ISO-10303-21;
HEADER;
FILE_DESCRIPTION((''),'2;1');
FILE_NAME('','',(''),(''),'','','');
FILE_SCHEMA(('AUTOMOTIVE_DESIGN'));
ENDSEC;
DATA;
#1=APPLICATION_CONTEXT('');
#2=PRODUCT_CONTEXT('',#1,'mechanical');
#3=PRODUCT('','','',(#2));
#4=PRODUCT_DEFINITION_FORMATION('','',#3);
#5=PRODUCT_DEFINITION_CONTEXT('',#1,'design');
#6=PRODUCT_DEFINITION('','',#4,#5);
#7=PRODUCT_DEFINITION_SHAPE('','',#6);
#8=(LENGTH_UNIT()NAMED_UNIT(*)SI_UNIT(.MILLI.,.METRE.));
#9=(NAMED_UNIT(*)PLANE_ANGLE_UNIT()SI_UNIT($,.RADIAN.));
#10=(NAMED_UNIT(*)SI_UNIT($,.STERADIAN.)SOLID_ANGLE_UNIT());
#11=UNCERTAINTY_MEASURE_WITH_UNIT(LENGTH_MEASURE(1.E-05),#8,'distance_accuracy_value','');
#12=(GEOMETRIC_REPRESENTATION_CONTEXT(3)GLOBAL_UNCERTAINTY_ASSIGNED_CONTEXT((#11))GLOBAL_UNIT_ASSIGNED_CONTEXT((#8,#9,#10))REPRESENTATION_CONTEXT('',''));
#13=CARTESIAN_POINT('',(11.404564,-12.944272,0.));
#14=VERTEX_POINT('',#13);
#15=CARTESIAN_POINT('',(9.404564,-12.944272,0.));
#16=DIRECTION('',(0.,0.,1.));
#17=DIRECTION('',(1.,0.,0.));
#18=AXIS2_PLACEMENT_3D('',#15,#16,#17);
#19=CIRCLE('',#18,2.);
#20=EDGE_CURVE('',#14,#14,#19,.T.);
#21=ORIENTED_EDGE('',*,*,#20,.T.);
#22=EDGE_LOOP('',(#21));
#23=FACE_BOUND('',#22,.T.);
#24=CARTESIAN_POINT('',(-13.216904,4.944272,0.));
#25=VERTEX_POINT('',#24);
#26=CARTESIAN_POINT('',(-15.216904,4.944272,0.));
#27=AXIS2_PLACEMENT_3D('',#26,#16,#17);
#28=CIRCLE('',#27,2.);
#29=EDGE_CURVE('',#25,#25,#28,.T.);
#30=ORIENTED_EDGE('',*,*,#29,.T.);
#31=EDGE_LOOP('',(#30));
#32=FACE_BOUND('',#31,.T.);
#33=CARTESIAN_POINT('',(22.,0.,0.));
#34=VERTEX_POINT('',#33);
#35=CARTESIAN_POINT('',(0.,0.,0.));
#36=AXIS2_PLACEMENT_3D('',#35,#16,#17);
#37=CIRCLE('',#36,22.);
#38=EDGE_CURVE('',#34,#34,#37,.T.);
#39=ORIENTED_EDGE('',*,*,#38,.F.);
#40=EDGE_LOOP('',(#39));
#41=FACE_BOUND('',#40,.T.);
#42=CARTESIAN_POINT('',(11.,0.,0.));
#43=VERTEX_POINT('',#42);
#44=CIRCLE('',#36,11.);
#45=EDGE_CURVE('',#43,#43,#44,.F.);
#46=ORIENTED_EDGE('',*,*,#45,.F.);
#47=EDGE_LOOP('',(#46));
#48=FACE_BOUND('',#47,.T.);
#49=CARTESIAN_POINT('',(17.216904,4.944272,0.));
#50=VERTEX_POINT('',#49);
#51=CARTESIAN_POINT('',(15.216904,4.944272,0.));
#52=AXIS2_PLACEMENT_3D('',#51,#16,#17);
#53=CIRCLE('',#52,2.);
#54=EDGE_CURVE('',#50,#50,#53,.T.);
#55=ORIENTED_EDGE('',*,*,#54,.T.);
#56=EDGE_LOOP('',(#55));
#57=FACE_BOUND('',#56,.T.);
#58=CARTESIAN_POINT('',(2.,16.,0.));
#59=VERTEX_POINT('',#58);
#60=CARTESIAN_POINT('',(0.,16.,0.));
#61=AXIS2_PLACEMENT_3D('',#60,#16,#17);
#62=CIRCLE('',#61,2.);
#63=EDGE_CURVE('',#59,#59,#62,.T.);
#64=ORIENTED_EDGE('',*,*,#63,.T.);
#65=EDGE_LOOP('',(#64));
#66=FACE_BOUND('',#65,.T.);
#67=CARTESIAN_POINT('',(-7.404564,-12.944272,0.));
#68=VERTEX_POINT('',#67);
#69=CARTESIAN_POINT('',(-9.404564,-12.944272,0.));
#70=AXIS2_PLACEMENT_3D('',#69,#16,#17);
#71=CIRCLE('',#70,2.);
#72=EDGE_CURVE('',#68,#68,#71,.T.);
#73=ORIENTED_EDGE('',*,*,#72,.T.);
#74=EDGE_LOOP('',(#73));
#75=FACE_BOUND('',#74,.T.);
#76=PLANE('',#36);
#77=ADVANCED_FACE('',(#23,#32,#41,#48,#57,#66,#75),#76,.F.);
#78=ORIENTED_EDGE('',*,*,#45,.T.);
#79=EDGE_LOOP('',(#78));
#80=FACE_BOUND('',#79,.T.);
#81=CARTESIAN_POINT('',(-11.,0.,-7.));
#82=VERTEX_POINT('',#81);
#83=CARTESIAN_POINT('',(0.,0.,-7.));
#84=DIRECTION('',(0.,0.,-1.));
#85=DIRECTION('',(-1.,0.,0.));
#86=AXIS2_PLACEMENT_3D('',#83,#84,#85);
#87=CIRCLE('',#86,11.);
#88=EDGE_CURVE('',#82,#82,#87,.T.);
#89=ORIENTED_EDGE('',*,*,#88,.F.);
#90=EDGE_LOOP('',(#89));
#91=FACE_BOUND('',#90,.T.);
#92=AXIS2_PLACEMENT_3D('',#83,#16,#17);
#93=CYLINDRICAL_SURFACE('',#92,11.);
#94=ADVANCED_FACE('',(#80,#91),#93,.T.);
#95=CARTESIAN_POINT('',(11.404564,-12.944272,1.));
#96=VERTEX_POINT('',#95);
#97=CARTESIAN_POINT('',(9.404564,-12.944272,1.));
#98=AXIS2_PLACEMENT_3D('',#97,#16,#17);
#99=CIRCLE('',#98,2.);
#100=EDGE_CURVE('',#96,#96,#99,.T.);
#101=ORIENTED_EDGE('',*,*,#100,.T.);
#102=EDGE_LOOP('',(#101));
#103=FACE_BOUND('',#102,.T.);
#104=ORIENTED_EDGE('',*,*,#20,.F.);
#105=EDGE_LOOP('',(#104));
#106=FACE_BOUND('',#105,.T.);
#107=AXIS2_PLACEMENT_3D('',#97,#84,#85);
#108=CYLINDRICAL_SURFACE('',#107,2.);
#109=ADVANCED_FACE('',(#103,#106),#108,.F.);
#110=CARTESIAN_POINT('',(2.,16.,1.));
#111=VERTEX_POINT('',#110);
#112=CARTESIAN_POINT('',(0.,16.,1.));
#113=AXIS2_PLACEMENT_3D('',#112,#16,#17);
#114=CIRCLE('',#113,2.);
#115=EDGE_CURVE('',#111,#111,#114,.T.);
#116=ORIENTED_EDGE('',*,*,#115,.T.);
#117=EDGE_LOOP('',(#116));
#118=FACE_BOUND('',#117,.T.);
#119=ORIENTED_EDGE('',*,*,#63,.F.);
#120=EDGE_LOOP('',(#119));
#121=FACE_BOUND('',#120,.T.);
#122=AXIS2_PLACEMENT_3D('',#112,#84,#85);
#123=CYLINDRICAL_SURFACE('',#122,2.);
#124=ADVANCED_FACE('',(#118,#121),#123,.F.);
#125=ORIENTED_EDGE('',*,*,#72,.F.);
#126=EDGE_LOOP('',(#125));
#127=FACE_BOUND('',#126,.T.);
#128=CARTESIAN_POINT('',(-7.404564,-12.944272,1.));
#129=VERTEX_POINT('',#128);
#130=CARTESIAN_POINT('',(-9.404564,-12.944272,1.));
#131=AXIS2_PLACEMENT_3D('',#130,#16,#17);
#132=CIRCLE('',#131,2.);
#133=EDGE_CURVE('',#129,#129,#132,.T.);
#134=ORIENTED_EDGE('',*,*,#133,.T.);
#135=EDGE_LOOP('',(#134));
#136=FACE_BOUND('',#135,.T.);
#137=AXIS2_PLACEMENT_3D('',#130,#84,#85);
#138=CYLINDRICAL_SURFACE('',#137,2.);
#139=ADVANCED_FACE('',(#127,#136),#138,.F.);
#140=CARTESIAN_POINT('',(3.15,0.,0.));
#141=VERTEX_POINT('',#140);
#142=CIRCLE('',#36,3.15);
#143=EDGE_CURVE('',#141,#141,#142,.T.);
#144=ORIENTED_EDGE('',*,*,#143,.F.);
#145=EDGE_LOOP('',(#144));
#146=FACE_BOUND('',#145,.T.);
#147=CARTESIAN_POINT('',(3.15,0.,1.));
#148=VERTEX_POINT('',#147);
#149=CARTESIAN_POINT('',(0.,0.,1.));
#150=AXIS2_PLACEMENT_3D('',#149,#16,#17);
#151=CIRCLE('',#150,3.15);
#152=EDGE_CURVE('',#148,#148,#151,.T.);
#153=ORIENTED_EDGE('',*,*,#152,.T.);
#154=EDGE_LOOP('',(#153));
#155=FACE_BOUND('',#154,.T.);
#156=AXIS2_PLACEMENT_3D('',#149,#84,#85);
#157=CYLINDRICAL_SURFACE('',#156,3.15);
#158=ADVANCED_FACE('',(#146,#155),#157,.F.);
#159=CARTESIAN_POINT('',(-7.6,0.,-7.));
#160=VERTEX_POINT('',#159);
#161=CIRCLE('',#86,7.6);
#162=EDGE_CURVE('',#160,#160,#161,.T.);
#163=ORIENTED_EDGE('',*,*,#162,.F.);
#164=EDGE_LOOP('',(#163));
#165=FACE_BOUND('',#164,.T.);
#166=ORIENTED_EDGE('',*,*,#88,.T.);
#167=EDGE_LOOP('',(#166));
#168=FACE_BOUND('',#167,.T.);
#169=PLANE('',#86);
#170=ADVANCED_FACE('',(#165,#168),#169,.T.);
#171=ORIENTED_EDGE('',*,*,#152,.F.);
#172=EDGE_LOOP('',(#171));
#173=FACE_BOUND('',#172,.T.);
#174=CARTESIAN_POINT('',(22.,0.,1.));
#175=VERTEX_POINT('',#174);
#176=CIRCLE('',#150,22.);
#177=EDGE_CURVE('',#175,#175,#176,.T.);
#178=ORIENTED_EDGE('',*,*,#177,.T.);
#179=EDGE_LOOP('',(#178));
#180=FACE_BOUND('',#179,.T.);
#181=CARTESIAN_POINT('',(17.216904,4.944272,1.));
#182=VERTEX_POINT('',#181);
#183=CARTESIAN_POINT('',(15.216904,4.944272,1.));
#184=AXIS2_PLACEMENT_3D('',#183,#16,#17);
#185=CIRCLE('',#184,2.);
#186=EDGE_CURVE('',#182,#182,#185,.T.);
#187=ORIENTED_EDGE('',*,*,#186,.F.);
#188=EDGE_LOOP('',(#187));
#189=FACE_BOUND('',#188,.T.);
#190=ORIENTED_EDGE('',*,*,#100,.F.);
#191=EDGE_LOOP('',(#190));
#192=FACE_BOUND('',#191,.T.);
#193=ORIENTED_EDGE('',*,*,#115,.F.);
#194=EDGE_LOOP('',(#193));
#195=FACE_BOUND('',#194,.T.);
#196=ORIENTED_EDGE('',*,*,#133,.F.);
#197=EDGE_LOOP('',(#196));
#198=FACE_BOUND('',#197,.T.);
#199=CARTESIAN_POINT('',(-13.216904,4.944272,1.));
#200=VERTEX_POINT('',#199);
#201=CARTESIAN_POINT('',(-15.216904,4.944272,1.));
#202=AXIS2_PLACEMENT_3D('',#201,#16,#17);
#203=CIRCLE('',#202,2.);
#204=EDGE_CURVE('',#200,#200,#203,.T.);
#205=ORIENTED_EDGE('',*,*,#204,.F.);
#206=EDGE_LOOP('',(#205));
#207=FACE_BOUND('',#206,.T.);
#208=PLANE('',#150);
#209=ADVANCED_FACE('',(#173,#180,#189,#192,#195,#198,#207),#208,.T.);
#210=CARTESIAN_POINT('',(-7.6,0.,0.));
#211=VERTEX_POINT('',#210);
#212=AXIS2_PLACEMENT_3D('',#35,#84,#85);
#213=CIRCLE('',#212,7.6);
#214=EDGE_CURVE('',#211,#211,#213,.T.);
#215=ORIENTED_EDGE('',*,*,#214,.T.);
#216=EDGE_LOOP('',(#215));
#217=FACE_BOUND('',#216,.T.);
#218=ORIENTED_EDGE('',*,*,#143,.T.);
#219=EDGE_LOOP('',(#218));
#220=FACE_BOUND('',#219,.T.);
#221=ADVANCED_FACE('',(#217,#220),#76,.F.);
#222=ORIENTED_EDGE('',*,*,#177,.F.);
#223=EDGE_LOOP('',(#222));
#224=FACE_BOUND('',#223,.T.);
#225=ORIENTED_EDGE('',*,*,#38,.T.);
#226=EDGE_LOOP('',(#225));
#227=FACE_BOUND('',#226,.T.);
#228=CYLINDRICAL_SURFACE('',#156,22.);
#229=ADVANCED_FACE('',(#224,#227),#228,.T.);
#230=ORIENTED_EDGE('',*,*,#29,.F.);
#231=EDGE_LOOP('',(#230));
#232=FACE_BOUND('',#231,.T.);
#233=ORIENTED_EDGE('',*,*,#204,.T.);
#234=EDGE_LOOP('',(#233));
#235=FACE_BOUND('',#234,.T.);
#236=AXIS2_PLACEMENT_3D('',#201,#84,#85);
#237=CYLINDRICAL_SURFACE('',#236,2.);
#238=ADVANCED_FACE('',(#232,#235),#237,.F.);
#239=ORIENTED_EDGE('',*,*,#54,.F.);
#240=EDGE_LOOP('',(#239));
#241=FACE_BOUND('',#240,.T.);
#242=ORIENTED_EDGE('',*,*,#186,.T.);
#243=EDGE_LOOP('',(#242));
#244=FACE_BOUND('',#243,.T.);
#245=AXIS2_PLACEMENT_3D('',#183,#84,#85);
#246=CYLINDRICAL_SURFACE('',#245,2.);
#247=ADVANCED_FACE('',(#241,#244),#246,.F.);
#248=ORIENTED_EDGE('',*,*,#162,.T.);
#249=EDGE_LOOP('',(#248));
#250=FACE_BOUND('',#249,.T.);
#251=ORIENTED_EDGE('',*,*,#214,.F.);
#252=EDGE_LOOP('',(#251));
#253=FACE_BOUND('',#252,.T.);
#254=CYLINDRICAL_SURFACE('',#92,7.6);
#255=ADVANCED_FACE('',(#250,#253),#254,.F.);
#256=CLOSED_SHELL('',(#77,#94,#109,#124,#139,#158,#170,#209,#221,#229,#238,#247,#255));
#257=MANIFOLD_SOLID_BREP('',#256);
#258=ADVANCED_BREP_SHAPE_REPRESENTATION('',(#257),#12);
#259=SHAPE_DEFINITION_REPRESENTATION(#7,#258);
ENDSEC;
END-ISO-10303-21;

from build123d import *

# Parameters (mm, degrees)
SKETCH_1_R      = 22
SKETCH_1_R_2    = 3.15
SKETCH_1_R_3    = 2
EXTRUDE_1_DEPTH = 1
SKETCH_3_R      = 11
SKETCH_3_R_2    = 7.6
EXTRUDE_2_DEPTH = 7


with BuildPart() as part:
    # 草图1 → 凸台-拉伸1 (new body)
    with BuildSketch(Plane.XY):
        Circle(SKETCH_1_R)
        Circle(SKETCH_1_R_2, mode=Mode.SUBTRACT)
        with Locations((0, 16)):
            Circle(SKETCH_1_R_3, mode=Mode.SUBTRACT)
        with Locations((15.216904261, 4.94427191)):
            Circle(SKETCH_1_R_3, mode=Mode.SUBTRACT)
        with Locations((9.404564037, -12.94427191)):
            Circle(SKETCH_1_R_3, mode=Mode.SUBTRACT)
        with Locations((-9.404564037, -12.94427191)):
            Circle(SKETCH_1_R_3, mode=Mode.SUBTRACT)
        with Locations((-15.216904261, 4.94427191)):
            Circle(SKETCH_1_R_3, mode=Mode.SUBTRACT)
    extrude(amount=EXTRUDE_1_DEPTH)

    # 草图3 → 凸台-拉伸2 (add)
    with BuildSketch(Plane(origin=(0, 0, 0), x_dir=(-1, 0, 0), z_dir=(0, 0, -1))):
        with Locations(Location((0, 0, 0), (0, 0, 180))):
            Circle(SKETCH_3_R)
        Circle(SKETCH_3_R_2, mode=Mode.SUBTRACT)
    extrude(amount=EXTRUDE_2_DEPTH)


solid = part.part
